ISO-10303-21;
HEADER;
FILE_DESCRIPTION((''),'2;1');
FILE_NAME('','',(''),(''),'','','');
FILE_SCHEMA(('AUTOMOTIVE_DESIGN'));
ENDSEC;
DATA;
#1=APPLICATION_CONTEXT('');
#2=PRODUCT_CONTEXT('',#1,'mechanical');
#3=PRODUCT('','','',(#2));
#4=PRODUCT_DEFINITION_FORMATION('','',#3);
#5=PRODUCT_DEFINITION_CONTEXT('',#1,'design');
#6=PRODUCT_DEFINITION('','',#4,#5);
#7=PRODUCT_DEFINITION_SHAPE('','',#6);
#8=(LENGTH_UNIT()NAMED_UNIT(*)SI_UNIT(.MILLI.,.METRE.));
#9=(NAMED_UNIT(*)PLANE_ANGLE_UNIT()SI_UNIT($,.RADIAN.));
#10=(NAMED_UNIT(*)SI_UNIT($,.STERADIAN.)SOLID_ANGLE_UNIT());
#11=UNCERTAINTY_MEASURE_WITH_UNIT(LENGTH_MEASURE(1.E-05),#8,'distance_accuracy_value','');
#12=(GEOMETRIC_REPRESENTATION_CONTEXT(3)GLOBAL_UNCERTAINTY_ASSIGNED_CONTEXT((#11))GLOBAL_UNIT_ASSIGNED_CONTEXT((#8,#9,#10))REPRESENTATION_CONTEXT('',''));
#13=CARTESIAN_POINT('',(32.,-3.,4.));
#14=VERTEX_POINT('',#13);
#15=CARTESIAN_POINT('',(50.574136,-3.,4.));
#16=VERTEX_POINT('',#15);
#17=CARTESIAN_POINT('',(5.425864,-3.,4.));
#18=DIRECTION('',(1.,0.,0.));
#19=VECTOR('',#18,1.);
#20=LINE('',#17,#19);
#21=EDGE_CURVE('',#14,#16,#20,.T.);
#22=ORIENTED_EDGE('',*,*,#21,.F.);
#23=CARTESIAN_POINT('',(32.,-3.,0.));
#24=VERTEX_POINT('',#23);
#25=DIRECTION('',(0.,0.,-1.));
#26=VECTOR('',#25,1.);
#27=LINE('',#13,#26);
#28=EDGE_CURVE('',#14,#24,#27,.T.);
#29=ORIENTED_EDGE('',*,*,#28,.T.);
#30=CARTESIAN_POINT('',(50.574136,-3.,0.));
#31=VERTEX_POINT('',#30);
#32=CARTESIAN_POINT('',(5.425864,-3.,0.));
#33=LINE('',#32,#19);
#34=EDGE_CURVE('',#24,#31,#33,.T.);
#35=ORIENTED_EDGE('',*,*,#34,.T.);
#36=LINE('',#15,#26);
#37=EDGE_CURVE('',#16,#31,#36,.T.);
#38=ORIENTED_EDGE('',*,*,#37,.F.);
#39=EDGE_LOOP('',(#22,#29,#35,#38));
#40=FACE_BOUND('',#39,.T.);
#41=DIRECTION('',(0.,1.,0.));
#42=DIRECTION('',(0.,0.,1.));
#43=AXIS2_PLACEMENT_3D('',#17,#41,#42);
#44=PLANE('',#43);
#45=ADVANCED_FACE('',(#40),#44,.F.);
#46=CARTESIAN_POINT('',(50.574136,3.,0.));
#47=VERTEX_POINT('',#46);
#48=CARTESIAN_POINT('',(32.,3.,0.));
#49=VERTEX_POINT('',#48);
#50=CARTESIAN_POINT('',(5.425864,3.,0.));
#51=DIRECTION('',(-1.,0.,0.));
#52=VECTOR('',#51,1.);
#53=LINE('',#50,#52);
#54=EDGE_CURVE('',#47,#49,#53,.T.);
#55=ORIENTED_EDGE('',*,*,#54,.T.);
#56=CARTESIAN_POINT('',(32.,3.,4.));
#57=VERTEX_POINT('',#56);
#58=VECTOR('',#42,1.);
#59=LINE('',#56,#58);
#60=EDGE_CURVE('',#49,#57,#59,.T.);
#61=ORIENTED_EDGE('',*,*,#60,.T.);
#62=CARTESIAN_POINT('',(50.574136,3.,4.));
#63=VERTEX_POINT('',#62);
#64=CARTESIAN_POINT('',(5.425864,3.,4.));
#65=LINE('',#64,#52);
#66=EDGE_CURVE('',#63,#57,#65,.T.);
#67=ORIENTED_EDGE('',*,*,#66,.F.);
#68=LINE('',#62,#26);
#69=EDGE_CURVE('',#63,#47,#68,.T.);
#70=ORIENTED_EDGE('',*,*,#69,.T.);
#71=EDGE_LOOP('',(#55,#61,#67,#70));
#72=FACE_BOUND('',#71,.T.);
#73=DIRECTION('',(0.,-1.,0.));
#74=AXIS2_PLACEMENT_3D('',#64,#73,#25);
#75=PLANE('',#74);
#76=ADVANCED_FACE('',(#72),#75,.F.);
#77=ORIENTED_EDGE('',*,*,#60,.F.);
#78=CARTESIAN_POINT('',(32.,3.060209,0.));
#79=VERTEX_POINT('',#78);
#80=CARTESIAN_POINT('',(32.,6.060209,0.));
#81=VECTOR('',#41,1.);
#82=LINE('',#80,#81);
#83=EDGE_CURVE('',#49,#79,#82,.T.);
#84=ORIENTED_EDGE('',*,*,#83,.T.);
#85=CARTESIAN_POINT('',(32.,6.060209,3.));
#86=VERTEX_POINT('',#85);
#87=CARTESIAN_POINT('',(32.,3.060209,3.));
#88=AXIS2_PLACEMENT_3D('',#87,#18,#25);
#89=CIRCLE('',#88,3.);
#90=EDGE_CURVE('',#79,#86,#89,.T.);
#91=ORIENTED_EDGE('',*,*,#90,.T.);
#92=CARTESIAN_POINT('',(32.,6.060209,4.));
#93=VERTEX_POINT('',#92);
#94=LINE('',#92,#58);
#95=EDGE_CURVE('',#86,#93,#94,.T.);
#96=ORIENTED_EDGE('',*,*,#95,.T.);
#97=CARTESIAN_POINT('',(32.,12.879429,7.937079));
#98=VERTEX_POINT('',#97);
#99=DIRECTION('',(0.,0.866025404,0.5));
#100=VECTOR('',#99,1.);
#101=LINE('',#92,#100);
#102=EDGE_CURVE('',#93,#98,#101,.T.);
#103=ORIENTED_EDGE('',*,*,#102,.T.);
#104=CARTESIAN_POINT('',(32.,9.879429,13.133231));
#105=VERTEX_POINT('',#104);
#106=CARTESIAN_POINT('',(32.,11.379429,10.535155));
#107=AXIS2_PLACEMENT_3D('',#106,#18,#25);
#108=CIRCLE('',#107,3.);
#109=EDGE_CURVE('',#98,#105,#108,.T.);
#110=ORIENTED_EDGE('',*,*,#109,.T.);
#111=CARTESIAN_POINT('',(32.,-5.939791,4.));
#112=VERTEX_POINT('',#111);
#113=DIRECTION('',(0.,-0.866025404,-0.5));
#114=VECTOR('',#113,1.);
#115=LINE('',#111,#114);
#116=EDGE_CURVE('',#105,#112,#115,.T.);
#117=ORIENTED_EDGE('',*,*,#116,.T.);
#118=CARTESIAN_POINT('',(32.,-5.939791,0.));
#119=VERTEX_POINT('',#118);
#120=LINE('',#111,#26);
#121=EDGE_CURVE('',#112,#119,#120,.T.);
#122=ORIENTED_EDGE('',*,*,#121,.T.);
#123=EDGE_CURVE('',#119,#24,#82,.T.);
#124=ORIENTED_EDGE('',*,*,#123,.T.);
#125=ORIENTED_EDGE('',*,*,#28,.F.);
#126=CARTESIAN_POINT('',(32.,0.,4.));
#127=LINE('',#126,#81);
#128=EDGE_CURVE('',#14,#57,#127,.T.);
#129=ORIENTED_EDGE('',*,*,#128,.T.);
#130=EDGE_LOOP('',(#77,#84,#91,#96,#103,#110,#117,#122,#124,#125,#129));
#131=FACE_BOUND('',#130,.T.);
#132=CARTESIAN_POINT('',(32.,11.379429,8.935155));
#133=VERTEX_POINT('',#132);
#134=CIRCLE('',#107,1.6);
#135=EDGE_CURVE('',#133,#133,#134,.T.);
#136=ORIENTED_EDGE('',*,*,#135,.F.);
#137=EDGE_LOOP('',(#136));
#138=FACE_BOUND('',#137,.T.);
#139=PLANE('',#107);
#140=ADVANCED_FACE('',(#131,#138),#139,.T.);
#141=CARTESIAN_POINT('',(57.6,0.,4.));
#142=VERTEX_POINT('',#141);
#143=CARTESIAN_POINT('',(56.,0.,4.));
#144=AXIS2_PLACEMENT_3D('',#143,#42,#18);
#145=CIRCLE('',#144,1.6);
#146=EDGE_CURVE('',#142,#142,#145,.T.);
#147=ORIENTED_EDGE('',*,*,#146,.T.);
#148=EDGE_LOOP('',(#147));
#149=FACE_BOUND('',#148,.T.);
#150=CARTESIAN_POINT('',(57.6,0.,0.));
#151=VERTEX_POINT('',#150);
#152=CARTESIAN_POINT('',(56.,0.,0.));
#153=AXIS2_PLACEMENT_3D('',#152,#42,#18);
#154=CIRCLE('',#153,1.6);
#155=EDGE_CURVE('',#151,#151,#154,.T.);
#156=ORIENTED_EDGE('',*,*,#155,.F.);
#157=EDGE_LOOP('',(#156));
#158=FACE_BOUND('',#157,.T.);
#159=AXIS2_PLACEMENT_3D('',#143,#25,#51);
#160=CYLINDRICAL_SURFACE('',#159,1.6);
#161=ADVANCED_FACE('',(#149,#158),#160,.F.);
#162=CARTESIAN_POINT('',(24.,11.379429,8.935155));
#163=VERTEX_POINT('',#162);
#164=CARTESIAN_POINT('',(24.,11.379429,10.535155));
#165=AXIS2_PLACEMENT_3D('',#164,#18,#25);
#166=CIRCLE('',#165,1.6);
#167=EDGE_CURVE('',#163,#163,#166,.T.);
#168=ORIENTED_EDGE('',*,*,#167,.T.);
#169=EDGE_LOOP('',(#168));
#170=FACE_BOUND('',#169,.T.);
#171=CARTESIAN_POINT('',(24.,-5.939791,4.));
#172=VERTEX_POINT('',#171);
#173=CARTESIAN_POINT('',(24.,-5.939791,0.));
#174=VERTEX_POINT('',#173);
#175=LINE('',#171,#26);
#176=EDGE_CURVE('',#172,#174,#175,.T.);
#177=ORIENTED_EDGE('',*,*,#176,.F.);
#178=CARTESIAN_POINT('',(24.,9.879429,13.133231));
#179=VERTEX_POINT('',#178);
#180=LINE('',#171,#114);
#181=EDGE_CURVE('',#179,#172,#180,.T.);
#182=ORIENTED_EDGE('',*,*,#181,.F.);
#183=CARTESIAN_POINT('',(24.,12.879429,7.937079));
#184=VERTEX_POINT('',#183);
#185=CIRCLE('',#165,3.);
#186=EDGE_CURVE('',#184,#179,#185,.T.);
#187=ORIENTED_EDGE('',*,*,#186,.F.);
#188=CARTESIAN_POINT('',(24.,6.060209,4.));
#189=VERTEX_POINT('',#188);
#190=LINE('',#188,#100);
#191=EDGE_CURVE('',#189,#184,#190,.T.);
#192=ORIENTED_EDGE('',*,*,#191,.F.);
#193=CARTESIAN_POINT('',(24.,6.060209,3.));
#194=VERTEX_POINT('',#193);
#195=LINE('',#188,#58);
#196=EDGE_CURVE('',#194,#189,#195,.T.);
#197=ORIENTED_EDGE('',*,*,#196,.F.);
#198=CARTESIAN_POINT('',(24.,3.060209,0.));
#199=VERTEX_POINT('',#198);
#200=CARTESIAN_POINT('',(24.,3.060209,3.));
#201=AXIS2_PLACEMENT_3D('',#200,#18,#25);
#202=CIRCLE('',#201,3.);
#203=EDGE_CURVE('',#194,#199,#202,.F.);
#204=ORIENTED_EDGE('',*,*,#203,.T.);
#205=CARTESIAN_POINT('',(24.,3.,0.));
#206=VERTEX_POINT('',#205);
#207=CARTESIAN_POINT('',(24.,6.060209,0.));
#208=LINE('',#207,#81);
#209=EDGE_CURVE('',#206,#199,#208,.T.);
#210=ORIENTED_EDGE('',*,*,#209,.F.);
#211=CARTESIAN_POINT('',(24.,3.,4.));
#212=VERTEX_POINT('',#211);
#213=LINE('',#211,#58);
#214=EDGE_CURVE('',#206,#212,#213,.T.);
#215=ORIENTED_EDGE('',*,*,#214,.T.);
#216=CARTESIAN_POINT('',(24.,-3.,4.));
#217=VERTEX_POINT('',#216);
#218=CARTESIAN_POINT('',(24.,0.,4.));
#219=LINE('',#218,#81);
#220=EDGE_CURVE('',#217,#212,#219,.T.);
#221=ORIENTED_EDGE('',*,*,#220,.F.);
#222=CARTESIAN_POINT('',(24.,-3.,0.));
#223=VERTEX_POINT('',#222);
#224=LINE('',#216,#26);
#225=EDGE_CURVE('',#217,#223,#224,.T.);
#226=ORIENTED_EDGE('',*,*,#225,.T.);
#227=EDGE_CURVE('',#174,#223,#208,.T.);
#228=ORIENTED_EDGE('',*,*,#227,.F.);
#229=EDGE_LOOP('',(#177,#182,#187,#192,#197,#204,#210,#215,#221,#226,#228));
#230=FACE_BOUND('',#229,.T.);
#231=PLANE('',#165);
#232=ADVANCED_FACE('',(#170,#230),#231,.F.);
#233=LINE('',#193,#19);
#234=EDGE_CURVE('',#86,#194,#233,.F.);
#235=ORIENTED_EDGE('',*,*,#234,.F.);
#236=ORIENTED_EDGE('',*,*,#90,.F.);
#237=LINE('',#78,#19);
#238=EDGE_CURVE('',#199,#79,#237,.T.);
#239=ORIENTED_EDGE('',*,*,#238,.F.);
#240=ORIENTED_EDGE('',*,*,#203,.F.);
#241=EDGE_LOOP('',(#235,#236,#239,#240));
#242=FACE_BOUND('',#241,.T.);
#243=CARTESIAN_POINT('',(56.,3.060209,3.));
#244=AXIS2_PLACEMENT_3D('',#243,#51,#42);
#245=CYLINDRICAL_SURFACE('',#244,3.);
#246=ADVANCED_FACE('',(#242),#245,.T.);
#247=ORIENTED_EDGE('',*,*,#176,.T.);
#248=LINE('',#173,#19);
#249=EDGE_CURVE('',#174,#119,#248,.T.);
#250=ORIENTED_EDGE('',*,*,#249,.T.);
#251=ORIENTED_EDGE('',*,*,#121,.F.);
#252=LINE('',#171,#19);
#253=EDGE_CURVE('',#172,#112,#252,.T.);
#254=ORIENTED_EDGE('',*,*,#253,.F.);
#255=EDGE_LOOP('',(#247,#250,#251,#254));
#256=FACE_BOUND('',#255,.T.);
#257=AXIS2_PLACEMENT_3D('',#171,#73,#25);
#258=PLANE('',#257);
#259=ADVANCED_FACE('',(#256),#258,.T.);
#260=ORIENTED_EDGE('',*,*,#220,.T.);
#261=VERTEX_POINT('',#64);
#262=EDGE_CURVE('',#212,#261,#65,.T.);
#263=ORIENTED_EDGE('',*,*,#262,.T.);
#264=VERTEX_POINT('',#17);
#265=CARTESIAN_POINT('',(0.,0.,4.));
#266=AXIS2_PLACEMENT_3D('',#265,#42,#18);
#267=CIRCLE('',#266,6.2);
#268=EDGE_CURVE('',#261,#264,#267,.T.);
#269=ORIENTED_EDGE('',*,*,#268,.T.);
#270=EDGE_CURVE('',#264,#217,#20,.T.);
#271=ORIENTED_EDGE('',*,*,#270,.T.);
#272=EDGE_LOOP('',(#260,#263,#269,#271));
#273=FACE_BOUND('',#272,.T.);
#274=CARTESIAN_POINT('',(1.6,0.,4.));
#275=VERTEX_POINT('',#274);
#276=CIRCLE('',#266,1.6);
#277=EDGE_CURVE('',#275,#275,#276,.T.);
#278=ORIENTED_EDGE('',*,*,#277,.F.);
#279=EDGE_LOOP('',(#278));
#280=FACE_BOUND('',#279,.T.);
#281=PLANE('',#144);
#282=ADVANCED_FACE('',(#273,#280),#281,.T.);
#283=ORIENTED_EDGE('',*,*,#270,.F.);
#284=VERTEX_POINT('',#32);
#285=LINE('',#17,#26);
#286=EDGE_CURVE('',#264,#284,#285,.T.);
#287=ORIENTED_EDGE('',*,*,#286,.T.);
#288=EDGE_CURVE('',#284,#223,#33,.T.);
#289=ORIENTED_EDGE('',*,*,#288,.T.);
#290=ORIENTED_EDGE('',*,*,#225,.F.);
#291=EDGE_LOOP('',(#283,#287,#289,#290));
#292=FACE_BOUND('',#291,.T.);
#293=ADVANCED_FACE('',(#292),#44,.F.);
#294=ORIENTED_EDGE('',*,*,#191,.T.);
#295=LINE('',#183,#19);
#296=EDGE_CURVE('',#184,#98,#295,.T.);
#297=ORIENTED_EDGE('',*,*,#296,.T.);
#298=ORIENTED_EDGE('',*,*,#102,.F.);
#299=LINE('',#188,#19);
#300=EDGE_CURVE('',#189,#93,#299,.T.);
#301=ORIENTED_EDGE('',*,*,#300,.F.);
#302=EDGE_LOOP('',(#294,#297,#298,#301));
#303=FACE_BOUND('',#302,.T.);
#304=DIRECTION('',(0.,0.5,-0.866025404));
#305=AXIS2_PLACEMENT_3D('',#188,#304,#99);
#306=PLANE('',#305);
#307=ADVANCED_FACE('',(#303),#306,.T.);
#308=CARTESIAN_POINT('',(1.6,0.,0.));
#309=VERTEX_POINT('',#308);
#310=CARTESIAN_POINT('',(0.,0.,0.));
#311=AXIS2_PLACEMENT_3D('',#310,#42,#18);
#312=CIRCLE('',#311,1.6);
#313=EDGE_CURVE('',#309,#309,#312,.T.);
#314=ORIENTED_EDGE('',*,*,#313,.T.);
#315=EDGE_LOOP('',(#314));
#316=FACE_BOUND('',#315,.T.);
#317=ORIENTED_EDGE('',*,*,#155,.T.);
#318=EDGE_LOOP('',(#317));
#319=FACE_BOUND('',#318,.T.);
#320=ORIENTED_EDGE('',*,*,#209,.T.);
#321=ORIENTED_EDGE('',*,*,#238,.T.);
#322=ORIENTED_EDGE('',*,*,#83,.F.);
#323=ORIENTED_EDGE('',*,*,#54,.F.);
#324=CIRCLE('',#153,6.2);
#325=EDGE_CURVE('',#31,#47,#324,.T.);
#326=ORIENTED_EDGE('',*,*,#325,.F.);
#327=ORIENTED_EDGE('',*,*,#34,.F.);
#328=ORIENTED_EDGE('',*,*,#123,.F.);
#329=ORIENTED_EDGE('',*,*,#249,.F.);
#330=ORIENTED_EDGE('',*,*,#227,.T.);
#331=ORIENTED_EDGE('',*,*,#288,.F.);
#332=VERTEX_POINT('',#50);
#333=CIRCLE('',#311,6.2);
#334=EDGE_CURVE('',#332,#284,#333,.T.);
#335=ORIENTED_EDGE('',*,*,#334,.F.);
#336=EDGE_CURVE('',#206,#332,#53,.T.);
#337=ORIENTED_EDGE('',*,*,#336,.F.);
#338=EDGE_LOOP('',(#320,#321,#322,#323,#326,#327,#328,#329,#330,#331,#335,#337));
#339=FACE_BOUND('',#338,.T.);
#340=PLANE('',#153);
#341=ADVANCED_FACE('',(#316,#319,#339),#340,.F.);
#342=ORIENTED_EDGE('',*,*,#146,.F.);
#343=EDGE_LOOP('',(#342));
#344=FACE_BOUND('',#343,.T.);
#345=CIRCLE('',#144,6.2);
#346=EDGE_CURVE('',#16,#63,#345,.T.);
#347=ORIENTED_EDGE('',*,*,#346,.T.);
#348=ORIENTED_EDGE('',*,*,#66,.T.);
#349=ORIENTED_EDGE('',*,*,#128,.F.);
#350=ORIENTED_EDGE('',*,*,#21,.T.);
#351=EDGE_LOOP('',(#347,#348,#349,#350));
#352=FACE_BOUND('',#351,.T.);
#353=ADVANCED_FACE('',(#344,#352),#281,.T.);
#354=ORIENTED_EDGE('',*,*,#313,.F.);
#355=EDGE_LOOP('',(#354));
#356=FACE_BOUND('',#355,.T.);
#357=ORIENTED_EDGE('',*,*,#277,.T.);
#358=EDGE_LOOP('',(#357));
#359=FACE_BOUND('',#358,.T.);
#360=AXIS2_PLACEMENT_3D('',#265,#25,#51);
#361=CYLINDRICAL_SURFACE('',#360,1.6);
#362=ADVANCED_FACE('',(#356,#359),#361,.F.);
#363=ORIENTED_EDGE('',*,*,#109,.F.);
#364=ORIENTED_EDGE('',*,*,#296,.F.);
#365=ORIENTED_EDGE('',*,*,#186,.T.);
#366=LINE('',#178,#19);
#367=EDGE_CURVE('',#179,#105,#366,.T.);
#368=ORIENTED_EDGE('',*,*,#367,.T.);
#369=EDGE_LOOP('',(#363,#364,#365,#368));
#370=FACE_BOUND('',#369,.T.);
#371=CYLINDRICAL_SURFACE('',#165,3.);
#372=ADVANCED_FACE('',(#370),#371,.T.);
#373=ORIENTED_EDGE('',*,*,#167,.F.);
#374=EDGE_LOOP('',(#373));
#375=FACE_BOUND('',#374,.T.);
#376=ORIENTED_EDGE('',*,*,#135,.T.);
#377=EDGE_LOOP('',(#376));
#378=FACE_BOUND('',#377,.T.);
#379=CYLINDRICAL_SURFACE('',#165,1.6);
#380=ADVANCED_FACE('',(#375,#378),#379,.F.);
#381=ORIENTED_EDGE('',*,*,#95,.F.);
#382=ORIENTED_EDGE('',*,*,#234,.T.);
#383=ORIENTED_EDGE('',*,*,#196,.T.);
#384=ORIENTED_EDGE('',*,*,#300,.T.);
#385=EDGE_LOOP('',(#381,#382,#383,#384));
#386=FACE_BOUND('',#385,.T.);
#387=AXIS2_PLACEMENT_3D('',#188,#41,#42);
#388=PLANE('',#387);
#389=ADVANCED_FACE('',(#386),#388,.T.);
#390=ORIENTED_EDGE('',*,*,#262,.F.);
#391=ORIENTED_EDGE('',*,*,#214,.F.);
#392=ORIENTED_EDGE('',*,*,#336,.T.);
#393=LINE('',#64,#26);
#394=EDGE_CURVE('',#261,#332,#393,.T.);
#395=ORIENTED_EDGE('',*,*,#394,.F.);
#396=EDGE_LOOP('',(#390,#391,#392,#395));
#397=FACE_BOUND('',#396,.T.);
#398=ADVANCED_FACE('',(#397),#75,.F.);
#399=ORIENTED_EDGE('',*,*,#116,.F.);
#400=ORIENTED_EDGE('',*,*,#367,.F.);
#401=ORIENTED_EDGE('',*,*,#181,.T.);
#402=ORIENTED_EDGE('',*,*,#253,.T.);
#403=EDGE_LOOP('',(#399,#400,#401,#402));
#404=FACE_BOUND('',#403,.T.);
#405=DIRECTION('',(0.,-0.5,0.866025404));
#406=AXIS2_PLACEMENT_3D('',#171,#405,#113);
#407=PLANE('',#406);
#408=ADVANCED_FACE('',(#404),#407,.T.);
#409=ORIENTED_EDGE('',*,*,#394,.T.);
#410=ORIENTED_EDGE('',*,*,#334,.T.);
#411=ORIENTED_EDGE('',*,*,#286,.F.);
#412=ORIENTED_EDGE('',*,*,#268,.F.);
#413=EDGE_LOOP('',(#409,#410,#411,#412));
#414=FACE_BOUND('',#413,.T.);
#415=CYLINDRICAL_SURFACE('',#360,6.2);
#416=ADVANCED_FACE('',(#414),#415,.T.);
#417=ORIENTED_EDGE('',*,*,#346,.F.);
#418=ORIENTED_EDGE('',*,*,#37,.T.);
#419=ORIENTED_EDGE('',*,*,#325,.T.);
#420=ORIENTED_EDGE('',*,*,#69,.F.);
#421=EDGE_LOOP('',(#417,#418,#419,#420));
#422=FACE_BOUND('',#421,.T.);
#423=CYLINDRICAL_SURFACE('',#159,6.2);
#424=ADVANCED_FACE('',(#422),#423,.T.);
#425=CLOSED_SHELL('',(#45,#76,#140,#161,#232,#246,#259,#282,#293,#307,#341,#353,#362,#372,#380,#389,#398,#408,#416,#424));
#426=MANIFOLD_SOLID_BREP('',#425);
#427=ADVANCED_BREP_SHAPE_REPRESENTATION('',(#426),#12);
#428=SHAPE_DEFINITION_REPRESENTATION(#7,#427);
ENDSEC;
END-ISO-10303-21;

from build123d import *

# Parameters (mm, degrees)
CROQUIS1_R                   = 1.6
SALIENTE_EXTRUIR1_DEPTH      = 4
SALIENTE_EXTRUIR2_DEPTH      = 4
SALIENTE_EXTRUIR2_DEPTH_BACK = 4
CROQUIS2_R                   = 1.6
REDONDEO1_R                  = 3


with BuildPart() as part:
    # Croquis1 → Saliente-Extruir1 (new body)
    with BuildSketch(Plane.XY):
        with BuildLine():
            Line((5.425863987, -3), (50.574136013, -3))
            ThreePointArc((50.574136013, -3), (62.2, 0), (50.574136013, 3))
            Line((50.574136013, 3), (5.425863987, 3))
            ThreePointArc((5.425863987, 3), (-6.2, 0), (5.425863987, -3))
        make_face()
        Circle(CROQUIS1_R, mode=Mode.SUBTRACT)
        with Locations((56, 0)):
            Circle(CROQUIS1_R, mode=Mode.SUBTRACT)
    extrude(amount=SALIENTE_EXTRUIR1_DEPTH)

    # Croquis2 → Saliente-Extruir2 (add, two sides: drawn at the far end of the back side and taken through both)
    with BuildSketch(Plane(origin=(28, 0, 0), x_dir=(0, 0, -1), z_dir=(1, 0, 0)).offset(-SALIENTE_EXTRUIR2_DEPTH_BACK)):
        with BuildLine():
            Line((-4, -5.939790903), (-13.133231147, 9.879429481))
            ThreePointArc((-13.133231147, 9.879429481), (-12.035154935, 13.977505692), (-7.937078724, 12.879429481))
            Line((-7.937078724, 12.879429481), (-4, 6.060209097))
            Line((-4, 6.060209097), (0, 6.060209097))
            Line((0, 6.060209097), (0, -5.939790903))
            Line((0, -5.939790903), (-4, -5.939790903))
        make_face()
        with Locations((-10.535154935, 11.379429481)):
            Circle(CROQUIS2_R, mode=Mode.SUBTRACT)
    extrude(amount=SALIENTE_EXTRUIR2_DEPTH + SALIENTE_EXTRUIR2_DEPTH_BACK)

    # Redondeo1
    redondeo1_edges = [part.edges().sort_by_distance(p)[0] for p in [
        (28, 6.060209097, 0),
    ]]
    fillet(redondeo1_edges, radius=REDONDEO1_R)


solid = part.part
